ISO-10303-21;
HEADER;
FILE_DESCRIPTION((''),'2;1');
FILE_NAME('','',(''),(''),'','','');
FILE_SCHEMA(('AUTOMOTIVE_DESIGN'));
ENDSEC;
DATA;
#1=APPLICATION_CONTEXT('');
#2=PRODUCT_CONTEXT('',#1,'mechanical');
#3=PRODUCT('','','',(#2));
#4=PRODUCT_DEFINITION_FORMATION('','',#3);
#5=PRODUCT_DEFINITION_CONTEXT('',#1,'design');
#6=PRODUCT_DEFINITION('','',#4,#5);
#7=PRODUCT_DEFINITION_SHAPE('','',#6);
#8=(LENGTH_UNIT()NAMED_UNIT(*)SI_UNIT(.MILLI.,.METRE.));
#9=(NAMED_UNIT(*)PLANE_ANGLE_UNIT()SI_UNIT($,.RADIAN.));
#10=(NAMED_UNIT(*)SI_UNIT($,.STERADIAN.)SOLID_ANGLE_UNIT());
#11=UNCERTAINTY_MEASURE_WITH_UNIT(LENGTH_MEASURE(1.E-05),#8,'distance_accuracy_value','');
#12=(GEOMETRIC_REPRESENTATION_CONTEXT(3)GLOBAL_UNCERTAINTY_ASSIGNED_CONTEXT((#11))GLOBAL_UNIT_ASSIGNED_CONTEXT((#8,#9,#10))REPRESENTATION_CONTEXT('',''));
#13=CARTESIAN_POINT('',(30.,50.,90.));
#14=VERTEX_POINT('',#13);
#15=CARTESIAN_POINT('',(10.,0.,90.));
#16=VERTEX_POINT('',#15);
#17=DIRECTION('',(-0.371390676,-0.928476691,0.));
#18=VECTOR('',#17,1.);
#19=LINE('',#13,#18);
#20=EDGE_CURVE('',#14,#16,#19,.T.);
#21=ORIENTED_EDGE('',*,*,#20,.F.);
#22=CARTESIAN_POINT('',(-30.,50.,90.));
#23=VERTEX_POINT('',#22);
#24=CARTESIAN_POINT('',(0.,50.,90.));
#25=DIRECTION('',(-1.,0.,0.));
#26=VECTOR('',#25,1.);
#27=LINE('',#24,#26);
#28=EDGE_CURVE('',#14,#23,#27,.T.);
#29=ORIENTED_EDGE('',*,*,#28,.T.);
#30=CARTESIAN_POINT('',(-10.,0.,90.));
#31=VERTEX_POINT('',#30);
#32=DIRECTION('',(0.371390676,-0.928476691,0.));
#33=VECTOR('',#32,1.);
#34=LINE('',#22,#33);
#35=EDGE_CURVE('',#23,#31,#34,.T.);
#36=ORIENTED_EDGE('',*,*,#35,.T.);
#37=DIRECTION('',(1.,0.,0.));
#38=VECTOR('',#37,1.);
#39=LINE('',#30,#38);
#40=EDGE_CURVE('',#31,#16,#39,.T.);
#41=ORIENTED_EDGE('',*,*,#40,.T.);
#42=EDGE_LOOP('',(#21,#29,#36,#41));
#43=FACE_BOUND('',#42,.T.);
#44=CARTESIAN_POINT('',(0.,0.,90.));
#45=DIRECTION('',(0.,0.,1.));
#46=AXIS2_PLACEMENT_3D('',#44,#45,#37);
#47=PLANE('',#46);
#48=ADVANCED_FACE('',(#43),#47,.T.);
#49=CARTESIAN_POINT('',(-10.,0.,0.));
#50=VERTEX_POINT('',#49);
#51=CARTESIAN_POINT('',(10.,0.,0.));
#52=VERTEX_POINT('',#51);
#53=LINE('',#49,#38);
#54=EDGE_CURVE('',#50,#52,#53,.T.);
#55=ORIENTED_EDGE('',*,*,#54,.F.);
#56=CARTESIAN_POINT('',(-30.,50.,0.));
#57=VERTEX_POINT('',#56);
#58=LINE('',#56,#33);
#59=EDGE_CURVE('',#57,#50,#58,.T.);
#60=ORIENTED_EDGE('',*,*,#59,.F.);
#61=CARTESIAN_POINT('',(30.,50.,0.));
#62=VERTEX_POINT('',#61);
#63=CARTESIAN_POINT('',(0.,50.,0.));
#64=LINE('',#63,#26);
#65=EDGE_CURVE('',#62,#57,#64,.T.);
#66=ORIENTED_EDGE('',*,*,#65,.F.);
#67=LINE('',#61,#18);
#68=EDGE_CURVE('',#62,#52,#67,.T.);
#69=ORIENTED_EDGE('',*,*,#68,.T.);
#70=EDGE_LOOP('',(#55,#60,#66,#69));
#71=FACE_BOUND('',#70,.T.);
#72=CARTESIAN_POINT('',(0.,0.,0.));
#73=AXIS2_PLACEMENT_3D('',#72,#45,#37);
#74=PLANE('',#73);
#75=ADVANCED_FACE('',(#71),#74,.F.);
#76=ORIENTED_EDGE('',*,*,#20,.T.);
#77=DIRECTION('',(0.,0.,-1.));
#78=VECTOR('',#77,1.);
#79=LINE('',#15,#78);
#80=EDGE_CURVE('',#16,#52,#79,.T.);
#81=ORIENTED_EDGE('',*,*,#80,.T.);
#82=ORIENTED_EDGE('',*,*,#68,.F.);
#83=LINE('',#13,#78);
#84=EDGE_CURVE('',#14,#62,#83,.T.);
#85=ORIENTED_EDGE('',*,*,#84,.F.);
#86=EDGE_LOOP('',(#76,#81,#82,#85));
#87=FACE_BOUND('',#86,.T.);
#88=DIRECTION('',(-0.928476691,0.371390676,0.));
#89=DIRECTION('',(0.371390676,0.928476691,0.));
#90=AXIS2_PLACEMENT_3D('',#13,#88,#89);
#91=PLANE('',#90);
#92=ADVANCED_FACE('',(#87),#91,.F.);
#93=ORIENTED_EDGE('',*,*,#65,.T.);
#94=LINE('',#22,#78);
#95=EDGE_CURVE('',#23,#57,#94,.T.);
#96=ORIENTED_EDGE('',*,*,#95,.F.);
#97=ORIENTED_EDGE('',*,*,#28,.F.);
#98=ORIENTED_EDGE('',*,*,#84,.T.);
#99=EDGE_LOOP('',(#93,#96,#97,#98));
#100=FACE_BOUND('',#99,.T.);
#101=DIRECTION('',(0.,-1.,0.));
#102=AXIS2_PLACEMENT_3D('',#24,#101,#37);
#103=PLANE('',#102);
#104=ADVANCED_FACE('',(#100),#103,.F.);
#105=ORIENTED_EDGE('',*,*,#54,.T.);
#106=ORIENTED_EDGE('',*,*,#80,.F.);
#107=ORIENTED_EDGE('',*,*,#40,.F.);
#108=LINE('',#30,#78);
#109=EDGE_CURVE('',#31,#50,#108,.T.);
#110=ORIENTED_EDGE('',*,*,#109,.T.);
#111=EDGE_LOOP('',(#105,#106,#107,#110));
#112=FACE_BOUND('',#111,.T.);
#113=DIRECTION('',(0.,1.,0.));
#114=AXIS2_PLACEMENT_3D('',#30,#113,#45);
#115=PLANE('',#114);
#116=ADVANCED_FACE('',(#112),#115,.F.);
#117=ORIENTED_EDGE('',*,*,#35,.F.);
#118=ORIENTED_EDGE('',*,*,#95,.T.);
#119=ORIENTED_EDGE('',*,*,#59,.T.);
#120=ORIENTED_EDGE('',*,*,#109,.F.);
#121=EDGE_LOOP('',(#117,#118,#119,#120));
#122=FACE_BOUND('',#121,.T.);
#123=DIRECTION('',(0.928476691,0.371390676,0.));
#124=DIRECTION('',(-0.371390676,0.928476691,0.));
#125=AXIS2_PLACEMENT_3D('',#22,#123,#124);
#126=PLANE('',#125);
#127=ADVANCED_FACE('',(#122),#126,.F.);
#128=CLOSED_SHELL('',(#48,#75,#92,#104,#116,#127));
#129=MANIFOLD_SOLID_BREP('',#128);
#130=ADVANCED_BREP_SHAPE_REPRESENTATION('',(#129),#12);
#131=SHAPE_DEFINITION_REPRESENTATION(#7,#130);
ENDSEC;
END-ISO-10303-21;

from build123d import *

# Parameters (mm, degrees)
BOSS_EXTRUDE1_DEPTH = 90


with BuildPart() as part:
    # Sketch1 → Boss-Extrude1 (new body)
    with BuildSketch(Plane.XY):
        Polygon((0, 0), (0, 50), (-30, 50), (-10, 0), align=None)
    extrude(amount=BOSS_EXTRUDE1_DEPTH)

    # Mirror1: part across plane


with BuildPart() as part_1:
    add(part.part)
    add(part.part.mirror(Plane(origin=(0, 0, 0), x_dir=(0, 0, 1), z_dir=(1, 0, 0))))


solid = part_1.part
